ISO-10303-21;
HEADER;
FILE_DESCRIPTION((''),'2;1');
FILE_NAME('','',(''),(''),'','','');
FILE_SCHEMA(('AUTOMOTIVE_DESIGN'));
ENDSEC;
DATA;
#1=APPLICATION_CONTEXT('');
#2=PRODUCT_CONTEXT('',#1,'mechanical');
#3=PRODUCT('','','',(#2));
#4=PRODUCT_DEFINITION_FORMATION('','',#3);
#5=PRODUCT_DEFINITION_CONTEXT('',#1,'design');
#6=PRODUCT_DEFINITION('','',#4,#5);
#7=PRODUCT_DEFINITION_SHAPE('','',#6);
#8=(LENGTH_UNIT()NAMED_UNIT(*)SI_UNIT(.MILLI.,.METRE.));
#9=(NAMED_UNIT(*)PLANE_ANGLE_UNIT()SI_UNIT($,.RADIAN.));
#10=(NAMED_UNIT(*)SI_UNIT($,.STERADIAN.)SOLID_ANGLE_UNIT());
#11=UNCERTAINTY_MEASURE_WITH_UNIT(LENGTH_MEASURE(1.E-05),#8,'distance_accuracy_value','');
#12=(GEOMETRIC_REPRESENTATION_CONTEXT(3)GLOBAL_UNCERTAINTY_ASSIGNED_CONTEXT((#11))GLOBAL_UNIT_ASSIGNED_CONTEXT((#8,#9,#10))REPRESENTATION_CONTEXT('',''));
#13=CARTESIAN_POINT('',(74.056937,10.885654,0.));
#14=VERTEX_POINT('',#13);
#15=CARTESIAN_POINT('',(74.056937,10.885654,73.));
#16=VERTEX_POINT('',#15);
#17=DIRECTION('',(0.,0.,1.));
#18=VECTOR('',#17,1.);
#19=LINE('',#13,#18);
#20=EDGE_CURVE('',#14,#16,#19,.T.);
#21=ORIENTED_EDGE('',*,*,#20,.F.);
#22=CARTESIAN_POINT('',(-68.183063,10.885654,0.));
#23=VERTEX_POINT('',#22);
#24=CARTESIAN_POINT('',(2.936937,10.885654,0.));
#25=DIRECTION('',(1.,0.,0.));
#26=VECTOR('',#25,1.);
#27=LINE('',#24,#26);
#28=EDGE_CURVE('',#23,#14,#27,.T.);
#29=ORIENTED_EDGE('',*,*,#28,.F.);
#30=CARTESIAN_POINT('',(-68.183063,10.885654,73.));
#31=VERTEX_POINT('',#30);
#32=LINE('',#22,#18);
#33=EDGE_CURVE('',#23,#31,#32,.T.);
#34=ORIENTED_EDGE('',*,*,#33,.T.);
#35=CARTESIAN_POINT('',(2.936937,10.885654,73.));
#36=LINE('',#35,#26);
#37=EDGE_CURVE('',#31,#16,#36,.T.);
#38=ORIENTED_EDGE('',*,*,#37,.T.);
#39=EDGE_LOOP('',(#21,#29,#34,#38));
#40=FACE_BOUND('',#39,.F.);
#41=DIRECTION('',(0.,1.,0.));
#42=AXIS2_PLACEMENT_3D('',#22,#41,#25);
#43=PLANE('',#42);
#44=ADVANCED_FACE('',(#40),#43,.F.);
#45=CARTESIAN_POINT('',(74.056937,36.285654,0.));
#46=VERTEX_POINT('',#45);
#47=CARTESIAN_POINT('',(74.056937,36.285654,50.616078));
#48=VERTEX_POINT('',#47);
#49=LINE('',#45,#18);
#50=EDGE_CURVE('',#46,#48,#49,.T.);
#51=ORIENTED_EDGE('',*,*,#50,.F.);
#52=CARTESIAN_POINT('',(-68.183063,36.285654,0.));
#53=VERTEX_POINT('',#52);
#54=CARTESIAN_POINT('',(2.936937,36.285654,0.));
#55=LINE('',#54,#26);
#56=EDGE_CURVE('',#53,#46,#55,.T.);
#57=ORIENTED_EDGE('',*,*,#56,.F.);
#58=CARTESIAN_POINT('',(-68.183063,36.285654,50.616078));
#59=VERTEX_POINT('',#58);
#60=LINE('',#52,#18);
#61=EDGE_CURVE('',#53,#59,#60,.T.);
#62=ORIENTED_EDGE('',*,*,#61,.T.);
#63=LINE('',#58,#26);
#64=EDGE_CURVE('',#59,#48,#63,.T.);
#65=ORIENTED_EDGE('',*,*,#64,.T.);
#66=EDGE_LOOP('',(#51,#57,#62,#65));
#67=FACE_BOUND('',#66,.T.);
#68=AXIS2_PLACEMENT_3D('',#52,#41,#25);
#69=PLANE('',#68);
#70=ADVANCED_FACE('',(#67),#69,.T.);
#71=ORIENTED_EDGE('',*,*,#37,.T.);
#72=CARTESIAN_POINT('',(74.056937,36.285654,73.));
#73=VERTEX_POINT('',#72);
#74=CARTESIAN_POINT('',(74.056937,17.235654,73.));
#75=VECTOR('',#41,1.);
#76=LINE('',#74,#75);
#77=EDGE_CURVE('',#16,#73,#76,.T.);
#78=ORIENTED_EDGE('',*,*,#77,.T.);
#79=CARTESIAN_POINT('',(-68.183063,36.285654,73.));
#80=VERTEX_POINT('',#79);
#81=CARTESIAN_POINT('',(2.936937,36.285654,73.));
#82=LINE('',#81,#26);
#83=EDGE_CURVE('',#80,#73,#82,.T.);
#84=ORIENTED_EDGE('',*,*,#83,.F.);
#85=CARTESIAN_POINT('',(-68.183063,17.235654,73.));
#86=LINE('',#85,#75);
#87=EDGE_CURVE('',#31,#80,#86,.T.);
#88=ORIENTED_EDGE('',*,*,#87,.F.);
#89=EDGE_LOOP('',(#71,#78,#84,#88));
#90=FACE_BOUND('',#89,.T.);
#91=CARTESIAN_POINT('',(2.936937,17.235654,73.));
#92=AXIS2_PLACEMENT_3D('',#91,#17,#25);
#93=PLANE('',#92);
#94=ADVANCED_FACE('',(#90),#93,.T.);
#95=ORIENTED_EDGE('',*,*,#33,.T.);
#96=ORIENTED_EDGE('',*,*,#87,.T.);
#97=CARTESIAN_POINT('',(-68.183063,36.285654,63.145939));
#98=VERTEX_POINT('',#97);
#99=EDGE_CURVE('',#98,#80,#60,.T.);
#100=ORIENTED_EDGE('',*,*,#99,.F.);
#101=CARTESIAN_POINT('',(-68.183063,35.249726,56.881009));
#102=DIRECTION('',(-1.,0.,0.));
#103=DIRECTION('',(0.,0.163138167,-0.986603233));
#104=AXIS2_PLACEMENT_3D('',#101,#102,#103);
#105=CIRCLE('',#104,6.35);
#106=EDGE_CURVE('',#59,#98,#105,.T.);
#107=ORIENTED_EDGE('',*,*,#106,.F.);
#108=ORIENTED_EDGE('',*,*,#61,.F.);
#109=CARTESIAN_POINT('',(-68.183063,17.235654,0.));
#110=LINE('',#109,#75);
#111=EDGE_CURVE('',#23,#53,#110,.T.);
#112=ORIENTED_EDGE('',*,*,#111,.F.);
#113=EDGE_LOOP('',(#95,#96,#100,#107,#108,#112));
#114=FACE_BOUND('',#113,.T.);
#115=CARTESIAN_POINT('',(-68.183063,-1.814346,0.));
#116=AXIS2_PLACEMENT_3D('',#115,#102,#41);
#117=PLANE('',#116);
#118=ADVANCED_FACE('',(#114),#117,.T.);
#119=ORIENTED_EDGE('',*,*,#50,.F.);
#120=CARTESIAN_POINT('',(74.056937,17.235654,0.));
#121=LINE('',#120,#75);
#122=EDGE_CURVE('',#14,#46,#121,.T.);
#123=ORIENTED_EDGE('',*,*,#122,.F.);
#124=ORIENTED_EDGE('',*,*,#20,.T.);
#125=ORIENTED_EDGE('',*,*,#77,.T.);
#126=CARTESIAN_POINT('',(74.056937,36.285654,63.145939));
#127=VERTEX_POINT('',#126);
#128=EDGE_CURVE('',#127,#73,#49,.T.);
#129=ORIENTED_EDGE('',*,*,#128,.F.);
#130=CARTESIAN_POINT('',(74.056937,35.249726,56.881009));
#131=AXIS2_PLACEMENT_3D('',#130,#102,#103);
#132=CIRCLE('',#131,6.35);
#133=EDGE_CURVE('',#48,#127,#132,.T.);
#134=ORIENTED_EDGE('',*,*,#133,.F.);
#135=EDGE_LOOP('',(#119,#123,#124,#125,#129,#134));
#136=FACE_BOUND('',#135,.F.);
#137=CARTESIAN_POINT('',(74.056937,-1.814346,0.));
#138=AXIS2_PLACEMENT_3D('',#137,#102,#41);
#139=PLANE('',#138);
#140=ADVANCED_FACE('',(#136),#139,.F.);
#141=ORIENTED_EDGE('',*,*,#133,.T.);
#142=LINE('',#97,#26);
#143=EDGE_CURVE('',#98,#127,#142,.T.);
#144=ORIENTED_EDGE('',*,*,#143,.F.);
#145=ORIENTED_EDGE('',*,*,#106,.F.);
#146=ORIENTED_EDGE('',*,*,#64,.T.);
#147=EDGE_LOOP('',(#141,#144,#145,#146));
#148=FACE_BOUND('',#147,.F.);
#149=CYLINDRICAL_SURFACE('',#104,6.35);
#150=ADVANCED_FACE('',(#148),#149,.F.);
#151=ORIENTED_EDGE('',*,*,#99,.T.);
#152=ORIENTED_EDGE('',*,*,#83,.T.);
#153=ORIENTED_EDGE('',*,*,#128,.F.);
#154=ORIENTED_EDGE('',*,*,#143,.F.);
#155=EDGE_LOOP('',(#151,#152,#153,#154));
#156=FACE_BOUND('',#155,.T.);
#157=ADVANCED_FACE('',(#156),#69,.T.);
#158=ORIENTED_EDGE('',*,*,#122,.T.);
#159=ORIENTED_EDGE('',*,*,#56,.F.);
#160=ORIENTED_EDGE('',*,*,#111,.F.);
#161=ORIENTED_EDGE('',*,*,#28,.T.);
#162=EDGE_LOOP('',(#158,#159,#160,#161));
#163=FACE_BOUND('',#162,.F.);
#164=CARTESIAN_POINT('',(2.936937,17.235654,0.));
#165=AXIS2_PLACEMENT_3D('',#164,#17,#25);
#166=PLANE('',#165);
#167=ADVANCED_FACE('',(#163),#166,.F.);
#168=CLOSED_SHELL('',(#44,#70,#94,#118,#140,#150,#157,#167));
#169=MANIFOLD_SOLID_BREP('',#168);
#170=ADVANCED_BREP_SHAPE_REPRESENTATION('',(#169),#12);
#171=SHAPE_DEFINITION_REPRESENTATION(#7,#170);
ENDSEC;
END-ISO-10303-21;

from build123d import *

# Parameters (mm, degrees)
F0_W     = 142.24
F0_H     = 38.1
F1_DEPTH = 73
F3_DEPTH = 142.24
F4_DEPTH = 12.7


with BuildPart() as f1:
    # F0 (on Top) → F1 (new body)
    with BuildSketch(Plane.XY):
        with Locations((2.9369369149, 17.2356535431)):
            Rectangle(F0_W, F0_H)
    extrude(amount=F1_DEPTH)

    # F2 (on face) → F3 (cut)
    with BuildSketch(Plane(origin=(-68.1830630851, 0, 0), x_dir=(0, -1, 0), z_dir=(-1, 0, 0))):
        with BuildLine():
            Line((-36.2856535431, 63.1459391326), (-36.2856535431, 50.6160780787))
            ThreePointArc((-36.2856535431, 50.6160780787), (-28.8997261841, 56.8810086057), (-36.2856535431, 63.1459391326))
        make_face()
    extrude(amount=-F3_DEPTH, mode=Mode.SUBTRACT)

    # F4 (cut): a face of the model
    f4_faces = [f1.faces().sort_by_distance(p)[0] for p in [
        (2.9369369149, -1.8143464569, 36.5),
    ]]
    extrude(f4_faces, amount=-F4_DEPTH, mode=Mode.SUBTRACT)


solid = f1.part
